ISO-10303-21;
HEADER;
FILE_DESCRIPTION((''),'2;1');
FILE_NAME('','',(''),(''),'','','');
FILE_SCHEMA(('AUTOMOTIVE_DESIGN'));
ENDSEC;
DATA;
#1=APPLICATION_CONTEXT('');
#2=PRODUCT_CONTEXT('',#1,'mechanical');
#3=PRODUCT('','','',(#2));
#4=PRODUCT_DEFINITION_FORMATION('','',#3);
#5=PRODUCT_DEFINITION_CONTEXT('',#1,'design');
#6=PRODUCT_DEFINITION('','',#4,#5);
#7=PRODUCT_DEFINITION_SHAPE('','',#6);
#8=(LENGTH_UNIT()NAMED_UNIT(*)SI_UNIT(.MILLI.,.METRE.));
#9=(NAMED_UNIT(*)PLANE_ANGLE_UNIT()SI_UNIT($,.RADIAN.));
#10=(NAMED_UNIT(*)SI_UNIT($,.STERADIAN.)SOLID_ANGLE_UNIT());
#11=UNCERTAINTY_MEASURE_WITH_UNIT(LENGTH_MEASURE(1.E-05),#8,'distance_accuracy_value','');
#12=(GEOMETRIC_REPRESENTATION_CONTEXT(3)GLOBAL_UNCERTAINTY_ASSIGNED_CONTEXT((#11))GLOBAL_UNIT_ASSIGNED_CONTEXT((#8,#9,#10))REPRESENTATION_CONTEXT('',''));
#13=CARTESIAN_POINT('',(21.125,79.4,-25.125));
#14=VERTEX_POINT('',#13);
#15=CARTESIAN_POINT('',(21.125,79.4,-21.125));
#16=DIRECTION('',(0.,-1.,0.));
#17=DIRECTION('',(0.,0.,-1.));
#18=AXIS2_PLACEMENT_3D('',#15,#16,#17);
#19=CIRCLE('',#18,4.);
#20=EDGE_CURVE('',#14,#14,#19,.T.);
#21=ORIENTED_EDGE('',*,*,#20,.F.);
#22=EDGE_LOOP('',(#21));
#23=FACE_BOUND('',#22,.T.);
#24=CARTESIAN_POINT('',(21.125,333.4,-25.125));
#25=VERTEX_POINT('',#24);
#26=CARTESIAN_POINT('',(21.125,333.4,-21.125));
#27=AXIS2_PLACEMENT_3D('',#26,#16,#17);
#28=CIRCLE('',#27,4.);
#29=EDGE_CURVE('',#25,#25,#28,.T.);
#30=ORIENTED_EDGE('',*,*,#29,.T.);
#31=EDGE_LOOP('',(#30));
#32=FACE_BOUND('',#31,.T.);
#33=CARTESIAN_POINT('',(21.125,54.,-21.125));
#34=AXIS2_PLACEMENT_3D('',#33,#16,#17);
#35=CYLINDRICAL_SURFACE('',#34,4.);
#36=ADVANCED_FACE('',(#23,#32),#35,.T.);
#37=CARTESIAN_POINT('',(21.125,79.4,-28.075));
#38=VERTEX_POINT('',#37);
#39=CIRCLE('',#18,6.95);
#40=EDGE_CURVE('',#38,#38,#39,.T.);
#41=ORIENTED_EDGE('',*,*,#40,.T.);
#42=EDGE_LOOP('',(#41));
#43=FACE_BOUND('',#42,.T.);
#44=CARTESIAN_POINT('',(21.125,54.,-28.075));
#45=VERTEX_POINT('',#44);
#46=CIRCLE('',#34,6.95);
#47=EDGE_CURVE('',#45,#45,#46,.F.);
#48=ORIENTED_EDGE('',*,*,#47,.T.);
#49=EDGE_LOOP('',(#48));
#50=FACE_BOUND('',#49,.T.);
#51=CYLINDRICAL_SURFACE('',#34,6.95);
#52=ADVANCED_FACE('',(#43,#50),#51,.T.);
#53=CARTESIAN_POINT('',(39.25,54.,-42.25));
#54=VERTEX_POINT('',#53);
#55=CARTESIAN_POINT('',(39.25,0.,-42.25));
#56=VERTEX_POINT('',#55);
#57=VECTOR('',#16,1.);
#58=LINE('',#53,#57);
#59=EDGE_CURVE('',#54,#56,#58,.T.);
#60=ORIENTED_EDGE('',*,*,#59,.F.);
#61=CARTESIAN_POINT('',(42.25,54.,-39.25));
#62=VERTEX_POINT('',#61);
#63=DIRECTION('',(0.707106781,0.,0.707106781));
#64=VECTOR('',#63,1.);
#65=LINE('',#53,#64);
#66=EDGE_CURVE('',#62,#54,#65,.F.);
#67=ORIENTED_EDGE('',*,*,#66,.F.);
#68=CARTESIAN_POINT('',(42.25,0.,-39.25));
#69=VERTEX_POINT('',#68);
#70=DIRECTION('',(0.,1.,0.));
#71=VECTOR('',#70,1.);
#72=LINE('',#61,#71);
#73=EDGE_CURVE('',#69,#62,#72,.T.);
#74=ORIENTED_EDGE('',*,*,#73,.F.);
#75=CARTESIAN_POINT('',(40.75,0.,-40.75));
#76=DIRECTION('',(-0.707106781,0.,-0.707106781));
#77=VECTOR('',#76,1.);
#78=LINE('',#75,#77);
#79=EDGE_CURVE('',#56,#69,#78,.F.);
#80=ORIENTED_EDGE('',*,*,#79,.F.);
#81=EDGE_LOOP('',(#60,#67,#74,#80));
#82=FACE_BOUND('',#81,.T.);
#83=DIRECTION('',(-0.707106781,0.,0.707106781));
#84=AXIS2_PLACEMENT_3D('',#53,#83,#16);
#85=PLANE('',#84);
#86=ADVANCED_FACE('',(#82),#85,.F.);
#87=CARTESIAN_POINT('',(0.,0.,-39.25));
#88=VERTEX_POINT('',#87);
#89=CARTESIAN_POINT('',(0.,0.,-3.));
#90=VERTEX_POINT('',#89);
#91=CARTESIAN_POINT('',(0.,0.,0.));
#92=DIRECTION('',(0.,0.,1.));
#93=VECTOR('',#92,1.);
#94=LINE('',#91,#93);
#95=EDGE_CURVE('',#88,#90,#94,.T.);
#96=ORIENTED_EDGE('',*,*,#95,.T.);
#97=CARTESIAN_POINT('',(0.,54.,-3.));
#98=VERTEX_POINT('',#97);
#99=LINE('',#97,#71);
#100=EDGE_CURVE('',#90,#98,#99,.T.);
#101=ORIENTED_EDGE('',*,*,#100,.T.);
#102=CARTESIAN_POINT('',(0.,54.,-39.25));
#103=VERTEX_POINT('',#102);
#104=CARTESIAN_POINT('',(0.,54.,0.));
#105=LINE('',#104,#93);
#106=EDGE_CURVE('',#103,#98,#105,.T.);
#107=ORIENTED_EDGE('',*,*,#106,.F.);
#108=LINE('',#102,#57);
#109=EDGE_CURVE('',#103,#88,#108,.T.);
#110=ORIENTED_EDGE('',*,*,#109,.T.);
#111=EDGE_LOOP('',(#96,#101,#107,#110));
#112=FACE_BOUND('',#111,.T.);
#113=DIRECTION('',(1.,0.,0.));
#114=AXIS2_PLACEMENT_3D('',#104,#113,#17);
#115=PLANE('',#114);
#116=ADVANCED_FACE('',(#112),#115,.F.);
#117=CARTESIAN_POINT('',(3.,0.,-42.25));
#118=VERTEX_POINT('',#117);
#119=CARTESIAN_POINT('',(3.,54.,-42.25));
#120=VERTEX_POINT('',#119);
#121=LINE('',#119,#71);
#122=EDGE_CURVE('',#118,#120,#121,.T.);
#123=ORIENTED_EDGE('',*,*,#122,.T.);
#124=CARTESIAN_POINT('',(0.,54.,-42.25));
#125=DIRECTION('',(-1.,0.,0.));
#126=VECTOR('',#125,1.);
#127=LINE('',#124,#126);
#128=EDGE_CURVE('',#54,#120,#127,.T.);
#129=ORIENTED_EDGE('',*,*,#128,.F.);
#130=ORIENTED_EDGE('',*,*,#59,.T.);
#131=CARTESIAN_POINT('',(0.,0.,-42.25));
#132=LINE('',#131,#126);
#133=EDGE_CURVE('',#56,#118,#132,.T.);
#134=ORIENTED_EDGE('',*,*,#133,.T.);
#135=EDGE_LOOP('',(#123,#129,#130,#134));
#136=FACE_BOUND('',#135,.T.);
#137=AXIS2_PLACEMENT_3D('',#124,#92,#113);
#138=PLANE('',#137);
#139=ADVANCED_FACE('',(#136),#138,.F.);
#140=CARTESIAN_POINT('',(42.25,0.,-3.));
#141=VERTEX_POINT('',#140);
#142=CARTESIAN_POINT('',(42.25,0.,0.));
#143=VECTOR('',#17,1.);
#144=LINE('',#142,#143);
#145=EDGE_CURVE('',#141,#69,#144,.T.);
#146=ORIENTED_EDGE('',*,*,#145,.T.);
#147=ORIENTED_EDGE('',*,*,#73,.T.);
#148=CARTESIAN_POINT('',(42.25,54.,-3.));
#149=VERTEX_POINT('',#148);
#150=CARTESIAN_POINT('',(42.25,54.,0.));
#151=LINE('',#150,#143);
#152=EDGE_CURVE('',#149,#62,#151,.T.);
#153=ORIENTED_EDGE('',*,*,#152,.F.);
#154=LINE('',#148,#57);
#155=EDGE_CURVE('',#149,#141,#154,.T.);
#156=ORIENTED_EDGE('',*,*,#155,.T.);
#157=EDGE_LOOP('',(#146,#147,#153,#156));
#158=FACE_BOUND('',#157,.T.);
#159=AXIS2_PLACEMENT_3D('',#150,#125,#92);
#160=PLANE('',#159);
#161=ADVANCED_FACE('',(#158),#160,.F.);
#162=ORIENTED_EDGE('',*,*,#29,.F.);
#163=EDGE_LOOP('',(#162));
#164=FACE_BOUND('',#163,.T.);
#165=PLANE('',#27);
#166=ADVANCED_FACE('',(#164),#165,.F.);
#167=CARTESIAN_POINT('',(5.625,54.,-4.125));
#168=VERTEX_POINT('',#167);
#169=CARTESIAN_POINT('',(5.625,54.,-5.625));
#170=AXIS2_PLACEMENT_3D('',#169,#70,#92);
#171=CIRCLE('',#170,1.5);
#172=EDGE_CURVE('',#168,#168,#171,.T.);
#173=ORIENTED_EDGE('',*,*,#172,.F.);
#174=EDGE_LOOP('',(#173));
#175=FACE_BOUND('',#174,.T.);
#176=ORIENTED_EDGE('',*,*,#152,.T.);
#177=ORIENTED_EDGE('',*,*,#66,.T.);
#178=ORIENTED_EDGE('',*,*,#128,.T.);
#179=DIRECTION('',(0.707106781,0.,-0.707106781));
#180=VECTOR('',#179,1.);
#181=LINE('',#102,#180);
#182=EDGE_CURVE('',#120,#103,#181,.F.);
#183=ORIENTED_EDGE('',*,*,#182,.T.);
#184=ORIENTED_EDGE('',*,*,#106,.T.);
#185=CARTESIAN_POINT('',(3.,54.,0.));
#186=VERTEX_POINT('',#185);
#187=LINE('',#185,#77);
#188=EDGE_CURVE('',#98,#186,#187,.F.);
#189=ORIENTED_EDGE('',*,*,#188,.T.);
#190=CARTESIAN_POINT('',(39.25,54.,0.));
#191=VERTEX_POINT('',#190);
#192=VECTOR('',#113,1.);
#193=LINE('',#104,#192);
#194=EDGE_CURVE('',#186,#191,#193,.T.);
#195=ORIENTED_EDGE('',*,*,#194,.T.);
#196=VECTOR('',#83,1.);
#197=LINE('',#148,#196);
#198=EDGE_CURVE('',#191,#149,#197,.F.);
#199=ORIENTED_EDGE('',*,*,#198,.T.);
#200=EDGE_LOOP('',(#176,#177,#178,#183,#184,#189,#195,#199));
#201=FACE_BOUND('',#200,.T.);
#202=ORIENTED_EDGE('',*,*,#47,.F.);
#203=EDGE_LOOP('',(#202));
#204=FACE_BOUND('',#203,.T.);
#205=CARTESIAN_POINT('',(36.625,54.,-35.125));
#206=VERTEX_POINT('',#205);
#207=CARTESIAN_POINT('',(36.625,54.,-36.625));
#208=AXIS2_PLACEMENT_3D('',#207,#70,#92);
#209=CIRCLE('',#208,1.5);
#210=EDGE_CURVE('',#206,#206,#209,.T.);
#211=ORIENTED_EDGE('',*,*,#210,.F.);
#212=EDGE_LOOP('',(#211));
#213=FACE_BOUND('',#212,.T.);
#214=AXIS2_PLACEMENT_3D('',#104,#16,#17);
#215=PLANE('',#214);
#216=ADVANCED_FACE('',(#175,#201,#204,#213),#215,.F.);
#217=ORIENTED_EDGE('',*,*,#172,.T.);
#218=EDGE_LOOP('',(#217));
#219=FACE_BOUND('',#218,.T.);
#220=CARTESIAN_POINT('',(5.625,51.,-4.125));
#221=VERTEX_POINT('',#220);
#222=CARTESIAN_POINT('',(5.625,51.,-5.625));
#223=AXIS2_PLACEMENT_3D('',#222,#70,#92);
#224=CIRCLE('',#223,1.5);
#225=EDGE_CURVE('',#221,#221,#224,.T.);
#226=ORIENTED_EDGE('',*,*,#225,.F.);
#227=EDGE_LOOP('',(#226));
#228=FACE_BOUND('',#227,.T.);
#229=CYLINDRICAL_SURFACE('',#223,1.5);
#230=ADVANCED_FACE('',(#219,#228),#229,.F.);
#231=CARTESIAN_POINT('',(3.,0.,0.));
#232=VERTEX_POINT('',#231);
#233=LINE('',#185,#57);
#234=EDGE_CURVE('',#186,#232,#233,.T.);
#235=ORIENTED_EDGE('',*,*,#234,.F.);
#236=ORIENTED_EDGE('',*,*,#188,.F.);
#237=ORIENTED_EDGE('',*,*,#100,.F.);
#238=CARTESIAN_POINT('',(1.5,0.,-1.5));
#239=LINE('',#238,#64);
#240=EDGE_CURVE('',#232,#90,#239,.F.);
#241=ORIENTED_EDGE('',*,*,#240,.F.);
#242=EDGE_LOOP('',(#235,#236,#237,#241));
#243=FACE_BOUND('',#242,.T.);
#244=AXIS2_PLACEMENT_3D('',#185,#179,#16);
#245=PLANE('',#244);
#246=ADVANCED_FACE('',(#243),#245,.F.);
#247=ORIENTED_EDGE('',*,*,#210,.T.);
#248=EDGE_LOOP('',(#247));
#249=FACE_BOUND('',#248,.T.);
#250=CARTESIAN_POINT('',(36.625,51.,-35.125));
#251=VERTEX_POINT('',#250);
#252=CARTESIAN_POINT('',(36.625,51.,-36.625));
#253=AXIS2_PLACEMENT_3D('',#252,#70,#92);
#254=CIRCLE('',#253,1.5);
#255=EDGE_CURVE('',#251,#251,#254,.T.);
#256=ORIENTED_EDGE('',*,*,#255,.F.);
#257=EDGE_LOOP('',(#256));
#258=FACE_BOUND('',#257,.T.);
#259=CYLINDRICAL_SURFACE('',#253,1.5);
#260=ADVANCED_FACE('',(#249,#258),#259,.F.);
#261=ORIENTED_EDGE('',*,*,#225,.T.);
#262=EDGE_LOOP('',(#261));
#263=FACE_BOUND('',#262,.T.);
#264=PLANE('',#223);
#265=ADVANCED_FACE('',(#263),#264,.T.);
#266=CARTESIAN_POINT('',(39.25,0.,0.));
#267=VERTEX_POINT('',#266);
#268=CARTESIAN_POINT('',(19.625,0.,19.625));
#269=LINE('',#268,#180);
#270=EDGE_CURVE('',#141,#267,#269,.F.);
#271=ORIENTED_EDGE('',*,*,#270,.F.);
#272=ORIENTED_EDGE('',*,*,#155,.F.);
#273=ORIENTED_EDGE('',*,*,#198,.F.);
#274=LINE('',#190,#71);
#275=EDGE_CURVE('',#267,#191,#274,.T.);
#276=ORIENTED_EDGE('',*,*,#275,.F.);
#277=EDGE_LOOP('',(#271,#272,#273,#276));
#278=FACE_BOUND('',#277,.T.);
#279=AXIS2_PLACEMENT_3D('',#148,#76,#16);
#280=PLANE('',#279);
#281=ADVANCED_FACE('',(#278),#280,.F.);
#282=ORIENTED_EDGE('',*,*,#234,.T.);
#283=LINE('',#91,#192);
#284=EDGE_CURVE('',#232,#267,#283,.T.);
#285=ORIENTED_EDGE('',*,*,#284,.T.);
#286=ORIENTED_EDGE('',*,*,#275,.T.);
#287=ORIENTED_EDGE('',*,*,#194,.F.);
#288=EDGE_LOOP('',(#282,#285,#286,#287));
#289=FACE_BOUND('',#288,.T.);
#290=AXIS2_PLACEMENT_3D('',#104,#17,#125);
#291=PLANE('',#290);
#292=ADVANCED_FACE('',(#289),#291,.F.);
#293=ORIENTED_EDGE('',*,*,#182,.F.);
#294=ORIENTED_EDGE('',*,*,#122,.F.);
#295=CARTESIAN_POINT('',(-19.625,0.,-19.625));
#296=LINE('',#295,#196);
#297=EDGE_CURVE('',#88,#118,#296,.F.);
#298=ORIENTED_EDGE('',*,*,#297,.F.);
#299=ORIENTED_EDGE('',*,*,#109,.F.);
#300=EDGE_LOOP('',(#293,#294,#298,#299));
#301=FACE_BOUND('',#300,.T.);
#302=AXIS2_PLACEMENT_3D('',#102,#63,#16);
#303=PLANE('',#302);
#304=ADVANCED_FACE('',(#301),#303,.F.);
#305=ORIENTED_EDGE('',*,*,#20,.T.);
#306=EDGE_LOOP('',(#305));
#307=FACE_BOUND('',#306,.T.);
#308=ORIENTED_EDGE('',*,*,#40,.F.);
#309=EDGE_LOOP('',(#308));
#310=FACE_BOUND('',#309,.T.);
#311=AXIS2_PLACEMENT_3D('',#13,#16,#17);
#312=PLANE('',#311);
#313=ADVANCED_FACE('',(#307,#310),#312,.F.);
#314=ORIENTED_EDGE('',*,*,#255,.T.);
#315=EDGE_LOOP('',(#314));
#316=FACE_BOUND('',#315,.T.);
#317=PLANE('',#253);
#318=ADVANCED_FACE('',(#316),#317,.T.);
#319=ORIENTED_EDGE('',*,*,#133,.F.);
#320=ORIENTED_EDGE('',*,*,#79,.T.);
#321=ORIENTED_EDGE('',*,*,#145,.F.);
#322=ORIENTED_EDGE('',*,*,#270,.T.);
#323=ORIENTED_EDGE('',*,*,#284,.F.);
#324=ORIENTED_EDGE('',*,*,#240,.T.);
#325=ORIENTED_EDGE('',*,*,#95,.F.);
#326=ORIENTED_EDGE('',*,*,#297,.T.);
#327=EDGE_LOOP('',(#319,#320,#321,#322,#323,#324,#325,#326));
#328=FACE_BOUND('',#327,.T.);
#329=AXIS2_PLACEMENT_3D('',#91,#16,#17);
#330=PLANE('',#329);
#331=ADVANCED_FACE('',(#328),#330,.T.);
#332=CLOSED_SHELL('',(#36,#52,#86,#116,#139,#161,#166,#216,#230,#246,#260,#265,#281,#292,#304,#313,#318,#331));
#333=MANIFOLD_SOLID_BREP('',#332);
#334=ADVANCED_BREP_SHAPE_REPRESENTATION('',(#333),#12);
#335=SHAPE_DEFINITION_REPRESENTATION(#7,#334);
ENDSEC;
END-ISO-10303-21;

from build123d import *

# Parameters (mm, degrees)
SKETCH1_W           = 42.25
SKETCH1_H           = 42.25
BOSS_EXTRUDE1_DEPTH = 54
SKETCH2_R           = 1.5
CUT_EXTRUDE1_DEPTH  = 3
CHAMFER1_SIZE       = 3


with BuildPart() as part:
    # Sketch1 → Boss-Extrude1 (new body)
    with BuildSketch(Plane(origin=(0, 0, 0), x_dir=(1, 0, 0), z_dir=(0, 1, 0))):
        with Locations((21.125, 21.125)):
            Rectangle(SKETCH1_W, SKETCH1_H)
    extrude(amount=BOSS_EXTRUDE1_DEPTH)

    # Sketch2 → Cut-Extrude1 (cut)
    with BuildSketch(Plane(origin=(0, 54, 0), x_dir=(1, 0, 0), z_dir=(0, 1, 0))):
        with Locations(Location((36.625, 36.625, 0), (0, 0, 270))):
            Circle(SKETCH2_R)
        with Locations(Location((5.625, 5.625, 0), (0, 0, 270))):
            Circle(SKETCH2_R)
    extrude(amount=-CUT_EXTRUDE1_DEPTH, mode=Mode.SUBTRACT)

    # Chamfer1
    chamfer1_edges = [part.edges().sort_by_distance(p)[0] for p in [
        (0, 27, -42.25),
        (42.25, 27, -42.25),
        (42.25, 27, 0),
        (0, 27, 0),
    ]]
    chamfer(chamfer1_edges, length=CHAMFER1_SIZE)

    # Sketch3 → Revolve1 (revolve)
    with BuildSketch(Plane.ZY.offset(-21.125)):
        Polygon((-21.125, 54), (-21.125, 333.4), (-25.125, 333.4), (-25.125, 79.4), (-28.075, 79.4), (-28.075, 54), align=None)
    revolve(axis=Axis((21.125, 54, -21.125), (0, 1, 0)))


solid = part.part
